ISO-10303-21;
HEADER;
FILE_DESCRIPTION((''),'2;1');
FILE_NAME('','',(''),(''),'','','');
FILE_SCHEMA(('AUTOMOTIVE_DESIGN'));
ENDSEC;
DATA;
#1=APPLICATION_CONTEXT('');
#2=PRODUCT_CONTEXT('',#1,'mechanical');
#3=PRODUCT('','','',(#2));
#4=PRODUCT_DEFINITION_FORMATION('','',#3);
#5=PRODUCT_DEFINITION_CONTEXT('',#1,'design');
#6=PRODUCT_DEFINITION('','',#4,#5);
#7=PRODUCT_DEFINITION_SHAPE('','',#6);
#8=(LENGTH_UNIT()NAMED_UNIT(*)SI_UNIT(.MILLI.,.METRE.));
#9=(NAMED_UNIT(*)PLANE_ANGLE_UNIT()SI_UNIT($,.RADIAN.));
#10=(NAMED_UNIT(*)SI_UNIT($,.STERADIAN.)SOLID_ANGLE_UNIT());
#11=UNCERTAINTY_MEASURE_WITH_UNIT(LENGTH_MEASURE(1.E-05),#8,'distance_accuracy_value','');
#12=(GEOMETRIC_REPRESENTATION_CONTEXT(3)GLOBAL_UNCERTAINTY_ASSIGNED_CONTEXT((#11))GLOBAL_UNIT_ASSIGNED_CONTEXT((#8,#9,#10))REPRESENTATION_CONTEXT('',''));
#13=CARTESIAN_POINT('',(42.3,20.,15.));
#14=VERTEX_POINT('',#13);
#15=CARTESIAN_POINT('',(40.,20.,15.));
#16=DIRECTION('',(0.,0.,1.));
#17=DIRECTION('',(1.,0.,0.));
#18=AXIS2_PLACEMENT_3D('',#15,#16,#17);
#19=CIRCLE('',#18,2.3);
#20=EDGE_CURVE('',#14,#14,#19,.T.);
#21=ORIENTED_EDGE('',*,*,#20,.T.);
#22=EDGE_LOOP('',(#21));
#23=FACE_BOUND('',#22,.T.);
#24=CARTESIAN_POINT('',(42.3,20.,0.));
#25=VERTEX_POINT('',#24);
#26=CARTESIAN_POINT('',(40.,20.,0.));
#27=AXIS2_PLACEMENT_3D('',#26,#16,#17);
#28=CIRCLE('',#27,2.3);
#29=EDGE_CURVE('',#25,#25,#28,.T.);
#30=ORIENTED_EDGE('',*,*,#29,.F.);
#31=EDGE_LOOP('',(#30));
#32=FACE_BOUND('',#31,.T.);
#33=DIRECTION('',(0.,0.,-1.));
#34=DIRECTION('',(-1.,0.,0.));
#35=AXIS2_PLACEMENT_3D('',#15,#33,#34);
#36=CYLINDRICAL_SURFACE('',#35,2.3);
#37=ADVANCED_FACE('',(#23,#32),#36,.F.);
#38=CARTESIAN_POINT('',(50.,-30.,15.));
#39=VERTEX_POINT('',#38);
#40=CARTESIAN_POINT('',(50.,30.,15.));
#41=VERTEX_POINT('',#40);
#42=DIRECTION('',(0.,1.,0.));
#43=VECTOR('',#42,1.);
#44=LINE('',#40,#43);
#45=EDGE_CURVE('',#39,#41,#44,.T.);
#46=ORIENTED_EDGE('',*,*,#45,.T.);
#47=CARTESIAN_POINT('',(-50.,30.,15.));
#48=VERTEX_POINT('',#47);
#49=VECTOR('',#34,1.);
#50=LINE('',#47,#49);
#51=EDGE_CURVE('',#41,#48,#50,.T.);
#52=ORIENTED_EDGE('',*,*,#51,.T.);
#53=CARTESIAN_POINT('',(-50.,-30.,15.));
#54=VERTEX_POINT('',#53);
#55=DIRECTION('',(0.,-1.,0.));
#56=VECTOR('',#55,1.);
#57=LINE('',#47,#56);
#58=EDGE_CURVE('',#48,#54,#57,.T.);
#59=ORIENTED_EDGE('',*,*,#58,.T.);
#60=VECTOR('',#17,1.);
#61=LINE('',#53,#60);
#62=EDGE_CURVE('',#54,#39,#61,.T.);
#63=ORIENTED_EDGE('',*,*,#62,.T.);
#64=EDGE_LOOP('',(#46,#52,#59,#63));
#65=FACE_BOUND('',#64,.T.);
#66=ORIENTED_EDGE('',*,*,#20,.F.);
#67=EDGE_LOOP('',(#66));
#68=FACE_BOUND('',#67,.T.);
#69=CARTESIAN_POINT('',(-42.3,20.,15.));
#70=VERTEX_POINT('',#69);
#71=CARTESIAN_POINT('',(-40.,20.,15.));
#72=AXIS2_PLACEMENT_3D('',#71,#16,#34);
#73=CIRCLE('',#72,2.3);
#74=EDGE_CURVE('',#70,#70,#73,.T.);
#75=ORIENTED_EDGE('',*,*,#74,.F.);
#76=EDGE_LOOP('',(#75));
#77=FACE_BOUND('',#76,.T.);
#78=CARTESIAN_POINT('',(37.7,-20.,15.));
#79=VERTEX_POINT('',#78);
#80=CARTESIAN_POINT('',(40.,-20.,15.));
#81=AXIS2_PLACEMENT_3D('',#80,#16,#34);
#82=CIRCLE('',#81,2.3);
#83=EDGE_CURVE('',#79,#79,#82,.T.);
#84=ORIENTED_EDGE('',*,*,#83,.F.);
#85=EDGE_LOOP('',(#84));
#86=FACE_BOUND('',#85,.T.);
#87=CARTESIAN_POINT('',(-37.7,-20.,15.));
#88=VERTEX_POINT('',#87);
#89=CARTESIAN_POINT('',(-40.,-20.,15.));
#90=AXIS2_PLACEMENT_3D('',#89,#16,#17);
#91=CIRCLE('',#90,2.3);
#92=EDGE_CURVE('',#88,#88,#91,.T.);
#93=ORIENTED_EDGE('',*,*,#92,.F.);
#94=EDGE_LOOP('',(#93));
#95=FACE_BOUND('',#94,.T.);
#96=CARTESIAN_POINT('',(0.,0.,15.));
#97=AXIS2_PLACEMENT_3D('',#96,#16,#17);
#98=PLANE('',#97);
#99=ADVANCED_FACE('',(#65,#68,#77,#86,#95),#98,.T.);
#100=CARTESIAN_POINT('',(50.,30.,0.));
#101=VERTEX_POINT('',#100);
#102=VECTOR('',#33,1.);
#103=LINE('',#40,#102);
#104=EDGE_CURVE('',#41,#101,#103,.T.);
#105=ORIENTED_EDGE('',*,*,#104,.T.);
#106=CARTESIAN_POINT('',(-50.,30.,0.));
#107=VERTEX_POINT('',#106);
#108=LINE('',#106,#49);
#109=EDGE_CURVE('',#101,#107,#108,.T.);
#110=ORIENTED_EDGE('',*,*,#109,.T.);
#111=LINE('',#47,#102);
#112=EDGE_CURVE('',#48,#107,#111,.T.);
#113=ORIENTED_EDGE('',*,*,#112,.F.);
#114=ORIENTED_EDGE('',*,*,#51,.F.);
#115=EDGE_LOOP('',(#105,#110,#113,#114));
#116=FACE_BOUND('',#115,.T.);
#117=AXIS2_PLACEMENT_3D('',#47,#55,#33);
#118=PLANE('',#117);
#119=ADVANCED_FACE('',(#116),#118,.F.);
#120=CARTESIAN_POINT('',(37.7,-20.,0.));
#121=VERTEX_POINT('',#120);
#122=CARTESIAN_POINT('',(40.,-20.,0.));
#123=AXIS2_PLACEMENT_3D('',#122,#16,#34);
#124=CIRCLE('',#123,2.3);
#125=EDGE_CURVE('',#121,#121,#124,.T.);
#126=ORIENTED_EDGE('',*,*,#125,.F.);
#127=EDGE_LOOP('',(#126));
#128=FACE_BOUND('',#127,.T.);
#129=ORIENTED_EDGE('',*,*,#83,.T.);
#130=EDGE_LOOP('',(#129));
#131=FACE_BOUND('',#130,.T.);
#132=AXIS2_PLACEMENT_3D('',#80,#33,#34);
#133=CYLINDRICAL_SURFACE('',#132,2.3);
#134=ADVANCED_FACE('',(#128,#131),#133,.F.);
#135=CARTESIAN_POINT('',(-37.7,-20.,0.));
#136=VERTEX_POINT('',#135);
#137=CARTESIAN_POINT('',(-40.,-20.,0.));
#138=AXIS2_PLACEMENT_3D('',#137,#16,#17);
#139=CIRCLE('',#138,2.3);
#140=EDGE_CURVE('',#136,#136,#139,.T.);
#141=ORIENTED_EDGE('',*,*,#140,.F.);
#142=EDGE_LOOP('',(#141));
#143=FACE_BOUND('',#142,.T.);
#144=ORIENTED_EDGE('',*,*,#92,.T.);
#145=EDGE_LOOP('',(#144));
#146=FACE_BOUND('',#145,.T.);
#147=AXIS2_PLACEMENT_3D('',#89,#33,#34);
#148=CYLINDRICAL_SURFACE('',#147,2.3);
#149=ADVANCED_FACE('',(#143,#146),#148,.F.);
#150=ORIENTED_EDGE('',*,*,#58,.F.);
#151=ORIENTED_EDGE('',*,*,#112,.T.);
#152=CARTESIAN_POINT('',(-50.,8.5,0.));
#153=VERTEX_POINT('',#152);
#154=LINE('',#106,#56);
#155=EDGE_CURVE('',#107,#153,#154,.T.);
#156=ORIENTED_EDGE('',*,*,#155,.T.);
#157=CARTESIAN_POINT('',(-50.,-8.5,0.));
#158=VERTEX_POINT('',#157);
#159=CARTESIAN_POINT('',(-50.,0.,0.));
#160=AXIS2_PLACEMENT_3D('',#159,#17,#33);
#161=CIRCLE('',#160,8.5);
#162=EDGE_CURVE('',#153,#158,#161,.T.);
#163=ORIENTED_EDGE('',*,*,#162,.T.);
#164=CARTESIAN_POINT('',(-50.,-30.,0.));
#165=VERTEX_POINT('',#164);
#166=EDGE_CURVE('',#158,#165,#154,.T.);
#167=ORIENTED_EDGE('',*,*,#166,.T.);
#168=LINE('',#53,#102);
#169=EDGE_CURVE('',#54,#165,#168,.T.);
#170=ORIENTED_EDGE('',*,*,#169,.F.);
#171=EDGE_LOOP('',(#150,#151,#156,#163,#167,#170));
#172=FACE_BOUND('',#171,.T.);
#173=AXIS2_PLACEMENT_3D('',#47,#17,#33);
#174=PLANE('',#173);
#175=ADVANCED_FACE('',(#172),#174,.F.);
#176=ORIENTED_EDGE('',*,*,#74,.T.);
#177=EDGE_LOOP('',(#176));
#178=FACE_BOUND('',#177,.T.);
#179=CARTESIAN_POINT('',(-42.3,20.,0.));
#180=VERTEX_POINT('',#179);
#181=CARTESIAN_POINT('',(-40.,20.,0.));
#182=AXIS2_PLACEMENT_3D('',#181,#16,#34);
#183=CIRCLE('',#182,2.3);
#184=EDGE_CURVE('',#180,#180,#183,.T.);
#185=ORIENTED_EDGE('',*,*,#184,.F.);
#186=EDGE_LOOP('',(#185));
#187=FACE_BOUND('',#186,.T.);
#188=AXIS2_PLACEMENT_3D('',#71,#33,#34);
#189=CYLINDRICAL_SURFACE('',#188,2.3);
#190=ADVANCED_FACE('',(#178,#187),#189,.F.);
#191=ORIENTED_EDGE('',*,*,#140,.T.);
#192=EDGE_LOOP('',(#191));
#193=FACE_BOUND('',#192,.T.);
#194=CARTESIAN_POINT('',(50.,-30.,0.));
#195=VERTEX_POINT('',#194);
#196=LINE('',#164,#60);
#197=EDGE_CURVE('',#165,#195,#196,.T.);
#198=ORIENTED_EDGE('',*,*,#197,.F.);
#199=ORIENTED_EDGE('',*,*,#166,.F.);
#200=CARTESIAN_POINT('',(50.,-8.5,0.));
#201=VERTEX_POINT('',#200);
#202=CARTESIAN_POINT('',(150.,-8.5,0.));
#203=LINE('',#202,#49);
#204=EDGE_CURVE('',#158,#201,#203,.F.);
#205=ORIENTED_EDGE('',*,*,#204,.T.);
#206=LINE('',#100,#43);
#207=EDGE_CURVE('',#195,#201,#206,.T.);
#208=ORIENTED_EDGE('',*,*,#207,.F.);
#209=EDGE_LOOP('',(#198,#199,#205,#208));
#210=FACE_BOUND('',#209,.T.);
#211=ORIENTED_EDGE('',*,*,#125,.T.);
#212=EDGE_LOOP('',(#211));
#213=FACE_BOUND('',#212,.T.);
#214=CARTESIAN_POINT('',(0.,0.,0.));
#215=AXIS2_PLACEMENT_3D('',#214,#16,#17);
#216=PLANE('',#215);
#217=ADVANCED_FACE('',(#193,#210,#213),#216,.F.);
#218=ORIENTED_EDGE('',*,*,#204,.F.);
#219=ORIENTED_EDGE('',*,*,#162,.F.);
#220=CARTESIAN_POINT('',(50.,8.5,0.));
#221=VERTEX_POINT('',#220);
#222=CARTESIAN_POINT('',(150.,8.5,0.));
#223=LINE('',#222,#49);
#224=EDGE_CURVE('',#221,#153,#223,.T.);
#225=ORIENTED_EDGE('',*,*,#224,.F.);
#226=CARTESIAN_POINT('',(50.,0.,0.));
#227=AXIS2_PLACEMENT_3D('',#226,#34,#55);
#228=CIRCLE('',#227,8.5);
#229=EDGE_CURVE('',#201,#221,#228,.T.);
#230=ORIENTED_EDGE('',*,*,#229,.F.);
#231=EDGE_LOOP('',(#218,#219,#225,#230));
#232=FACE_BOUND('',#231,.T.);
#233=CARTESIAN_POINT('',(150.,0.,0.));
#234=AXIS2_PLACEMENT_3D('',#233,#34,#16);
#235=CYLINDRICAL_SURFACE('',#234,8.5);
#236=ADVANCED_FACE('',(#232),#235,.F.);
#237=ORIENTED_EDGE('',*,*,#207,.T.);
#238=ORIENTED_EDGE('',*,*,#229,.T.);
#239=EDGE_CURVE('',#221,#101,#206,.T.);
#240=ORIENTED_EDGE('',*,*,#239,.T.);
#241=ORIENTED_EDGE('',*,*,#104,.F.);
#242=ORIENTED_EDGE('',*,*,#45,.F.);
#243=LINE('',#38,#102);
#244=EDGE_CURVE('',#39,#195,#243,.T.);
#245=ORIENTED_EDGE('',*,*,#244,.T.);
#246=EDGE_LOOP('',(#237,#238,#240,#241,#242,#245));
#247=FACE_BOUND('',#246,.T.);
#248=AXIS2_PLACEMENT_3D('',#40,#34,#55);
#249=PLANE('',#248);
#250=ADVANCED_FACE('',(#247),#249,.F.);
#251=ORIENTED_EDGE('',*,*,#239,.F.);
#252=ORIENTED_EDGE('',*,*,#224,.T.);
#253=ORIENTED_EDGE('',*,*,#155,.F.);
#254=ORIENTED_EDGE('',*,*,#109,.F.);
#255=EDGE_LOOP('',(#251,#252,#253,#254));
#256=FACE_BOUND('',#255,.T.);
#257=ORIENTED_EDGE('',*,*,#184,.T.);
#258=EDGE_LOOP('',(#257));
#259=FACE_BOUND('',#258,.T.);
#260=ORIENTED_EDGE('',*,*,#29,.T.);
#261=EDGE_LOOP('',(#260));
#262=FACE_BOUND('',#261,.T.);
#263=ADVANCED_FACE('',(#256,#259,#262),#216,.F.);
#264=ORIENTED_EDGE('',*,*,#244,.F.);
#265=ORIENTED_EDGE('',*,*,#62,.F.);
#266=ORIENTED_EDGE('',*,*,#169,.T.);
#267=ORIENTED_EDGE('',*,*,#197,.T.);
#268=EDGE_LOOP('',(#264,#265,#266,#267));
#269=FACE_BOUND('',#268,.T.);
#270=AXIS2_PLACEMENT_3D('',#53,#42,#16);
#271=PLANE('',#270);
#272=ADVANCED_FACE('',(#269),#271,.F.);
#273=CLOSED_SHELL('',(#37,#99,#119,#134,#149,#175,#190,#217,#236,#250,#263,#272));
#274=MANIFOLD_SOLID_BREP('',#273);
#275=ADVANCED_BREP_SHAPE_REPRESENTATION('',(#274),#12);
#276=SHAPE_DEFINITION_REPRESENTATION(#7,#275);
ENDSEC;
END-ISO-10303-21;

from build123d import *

# Parameters (mm, degrees)
SKETCH1_W           = 100
SKETCH1_H           = 60
SKETCH1_R           = 2.3
BOSS_EXTRUDE1_DEPTH = 15
SKETCH2_R           = 8.5
CUT_EXTRUDE1_DEPTH  = 200


with BuildPart() as part:
    # Sketch1 → Boss-Extrude1 (new body)
    with BuildSketch(Plane.XY):
        Rectangle(SKETCH1_W, SKETCH1_H)
        with Locations((-40, -20)):
            Circle(SKETCH1_R, mode=Mode.SUBTRACT)
        with Locations(Location((40, -20, 0), (0, 0, 180))):
            Circle(SKETCH1_R, mode=Mode.SUBTRACT)
        with Locations((40, 20)):
            Circle(SKETCH1_R, mode=Mode.SUBTRACT)
        with Locations(Location((-40, 20, 0), (0, 0, 180))):
            Circle(SKETCH1_R, mode=Mode.SUBTRACT)
    extrude(amount=BOSS_EXTRUDE1_DEPTH)

    # Sketch2 → Cut-Extrude1 (cut, symmetric)
    with BuildSketch(Plane.ZY.offset(50)):
        Circle(SKETCH2_R)
    extrude(amount=CUT_EXTRUDE1_DEPTH, both=True, mode=Mode.SUBTRACT)


solid = part.part
